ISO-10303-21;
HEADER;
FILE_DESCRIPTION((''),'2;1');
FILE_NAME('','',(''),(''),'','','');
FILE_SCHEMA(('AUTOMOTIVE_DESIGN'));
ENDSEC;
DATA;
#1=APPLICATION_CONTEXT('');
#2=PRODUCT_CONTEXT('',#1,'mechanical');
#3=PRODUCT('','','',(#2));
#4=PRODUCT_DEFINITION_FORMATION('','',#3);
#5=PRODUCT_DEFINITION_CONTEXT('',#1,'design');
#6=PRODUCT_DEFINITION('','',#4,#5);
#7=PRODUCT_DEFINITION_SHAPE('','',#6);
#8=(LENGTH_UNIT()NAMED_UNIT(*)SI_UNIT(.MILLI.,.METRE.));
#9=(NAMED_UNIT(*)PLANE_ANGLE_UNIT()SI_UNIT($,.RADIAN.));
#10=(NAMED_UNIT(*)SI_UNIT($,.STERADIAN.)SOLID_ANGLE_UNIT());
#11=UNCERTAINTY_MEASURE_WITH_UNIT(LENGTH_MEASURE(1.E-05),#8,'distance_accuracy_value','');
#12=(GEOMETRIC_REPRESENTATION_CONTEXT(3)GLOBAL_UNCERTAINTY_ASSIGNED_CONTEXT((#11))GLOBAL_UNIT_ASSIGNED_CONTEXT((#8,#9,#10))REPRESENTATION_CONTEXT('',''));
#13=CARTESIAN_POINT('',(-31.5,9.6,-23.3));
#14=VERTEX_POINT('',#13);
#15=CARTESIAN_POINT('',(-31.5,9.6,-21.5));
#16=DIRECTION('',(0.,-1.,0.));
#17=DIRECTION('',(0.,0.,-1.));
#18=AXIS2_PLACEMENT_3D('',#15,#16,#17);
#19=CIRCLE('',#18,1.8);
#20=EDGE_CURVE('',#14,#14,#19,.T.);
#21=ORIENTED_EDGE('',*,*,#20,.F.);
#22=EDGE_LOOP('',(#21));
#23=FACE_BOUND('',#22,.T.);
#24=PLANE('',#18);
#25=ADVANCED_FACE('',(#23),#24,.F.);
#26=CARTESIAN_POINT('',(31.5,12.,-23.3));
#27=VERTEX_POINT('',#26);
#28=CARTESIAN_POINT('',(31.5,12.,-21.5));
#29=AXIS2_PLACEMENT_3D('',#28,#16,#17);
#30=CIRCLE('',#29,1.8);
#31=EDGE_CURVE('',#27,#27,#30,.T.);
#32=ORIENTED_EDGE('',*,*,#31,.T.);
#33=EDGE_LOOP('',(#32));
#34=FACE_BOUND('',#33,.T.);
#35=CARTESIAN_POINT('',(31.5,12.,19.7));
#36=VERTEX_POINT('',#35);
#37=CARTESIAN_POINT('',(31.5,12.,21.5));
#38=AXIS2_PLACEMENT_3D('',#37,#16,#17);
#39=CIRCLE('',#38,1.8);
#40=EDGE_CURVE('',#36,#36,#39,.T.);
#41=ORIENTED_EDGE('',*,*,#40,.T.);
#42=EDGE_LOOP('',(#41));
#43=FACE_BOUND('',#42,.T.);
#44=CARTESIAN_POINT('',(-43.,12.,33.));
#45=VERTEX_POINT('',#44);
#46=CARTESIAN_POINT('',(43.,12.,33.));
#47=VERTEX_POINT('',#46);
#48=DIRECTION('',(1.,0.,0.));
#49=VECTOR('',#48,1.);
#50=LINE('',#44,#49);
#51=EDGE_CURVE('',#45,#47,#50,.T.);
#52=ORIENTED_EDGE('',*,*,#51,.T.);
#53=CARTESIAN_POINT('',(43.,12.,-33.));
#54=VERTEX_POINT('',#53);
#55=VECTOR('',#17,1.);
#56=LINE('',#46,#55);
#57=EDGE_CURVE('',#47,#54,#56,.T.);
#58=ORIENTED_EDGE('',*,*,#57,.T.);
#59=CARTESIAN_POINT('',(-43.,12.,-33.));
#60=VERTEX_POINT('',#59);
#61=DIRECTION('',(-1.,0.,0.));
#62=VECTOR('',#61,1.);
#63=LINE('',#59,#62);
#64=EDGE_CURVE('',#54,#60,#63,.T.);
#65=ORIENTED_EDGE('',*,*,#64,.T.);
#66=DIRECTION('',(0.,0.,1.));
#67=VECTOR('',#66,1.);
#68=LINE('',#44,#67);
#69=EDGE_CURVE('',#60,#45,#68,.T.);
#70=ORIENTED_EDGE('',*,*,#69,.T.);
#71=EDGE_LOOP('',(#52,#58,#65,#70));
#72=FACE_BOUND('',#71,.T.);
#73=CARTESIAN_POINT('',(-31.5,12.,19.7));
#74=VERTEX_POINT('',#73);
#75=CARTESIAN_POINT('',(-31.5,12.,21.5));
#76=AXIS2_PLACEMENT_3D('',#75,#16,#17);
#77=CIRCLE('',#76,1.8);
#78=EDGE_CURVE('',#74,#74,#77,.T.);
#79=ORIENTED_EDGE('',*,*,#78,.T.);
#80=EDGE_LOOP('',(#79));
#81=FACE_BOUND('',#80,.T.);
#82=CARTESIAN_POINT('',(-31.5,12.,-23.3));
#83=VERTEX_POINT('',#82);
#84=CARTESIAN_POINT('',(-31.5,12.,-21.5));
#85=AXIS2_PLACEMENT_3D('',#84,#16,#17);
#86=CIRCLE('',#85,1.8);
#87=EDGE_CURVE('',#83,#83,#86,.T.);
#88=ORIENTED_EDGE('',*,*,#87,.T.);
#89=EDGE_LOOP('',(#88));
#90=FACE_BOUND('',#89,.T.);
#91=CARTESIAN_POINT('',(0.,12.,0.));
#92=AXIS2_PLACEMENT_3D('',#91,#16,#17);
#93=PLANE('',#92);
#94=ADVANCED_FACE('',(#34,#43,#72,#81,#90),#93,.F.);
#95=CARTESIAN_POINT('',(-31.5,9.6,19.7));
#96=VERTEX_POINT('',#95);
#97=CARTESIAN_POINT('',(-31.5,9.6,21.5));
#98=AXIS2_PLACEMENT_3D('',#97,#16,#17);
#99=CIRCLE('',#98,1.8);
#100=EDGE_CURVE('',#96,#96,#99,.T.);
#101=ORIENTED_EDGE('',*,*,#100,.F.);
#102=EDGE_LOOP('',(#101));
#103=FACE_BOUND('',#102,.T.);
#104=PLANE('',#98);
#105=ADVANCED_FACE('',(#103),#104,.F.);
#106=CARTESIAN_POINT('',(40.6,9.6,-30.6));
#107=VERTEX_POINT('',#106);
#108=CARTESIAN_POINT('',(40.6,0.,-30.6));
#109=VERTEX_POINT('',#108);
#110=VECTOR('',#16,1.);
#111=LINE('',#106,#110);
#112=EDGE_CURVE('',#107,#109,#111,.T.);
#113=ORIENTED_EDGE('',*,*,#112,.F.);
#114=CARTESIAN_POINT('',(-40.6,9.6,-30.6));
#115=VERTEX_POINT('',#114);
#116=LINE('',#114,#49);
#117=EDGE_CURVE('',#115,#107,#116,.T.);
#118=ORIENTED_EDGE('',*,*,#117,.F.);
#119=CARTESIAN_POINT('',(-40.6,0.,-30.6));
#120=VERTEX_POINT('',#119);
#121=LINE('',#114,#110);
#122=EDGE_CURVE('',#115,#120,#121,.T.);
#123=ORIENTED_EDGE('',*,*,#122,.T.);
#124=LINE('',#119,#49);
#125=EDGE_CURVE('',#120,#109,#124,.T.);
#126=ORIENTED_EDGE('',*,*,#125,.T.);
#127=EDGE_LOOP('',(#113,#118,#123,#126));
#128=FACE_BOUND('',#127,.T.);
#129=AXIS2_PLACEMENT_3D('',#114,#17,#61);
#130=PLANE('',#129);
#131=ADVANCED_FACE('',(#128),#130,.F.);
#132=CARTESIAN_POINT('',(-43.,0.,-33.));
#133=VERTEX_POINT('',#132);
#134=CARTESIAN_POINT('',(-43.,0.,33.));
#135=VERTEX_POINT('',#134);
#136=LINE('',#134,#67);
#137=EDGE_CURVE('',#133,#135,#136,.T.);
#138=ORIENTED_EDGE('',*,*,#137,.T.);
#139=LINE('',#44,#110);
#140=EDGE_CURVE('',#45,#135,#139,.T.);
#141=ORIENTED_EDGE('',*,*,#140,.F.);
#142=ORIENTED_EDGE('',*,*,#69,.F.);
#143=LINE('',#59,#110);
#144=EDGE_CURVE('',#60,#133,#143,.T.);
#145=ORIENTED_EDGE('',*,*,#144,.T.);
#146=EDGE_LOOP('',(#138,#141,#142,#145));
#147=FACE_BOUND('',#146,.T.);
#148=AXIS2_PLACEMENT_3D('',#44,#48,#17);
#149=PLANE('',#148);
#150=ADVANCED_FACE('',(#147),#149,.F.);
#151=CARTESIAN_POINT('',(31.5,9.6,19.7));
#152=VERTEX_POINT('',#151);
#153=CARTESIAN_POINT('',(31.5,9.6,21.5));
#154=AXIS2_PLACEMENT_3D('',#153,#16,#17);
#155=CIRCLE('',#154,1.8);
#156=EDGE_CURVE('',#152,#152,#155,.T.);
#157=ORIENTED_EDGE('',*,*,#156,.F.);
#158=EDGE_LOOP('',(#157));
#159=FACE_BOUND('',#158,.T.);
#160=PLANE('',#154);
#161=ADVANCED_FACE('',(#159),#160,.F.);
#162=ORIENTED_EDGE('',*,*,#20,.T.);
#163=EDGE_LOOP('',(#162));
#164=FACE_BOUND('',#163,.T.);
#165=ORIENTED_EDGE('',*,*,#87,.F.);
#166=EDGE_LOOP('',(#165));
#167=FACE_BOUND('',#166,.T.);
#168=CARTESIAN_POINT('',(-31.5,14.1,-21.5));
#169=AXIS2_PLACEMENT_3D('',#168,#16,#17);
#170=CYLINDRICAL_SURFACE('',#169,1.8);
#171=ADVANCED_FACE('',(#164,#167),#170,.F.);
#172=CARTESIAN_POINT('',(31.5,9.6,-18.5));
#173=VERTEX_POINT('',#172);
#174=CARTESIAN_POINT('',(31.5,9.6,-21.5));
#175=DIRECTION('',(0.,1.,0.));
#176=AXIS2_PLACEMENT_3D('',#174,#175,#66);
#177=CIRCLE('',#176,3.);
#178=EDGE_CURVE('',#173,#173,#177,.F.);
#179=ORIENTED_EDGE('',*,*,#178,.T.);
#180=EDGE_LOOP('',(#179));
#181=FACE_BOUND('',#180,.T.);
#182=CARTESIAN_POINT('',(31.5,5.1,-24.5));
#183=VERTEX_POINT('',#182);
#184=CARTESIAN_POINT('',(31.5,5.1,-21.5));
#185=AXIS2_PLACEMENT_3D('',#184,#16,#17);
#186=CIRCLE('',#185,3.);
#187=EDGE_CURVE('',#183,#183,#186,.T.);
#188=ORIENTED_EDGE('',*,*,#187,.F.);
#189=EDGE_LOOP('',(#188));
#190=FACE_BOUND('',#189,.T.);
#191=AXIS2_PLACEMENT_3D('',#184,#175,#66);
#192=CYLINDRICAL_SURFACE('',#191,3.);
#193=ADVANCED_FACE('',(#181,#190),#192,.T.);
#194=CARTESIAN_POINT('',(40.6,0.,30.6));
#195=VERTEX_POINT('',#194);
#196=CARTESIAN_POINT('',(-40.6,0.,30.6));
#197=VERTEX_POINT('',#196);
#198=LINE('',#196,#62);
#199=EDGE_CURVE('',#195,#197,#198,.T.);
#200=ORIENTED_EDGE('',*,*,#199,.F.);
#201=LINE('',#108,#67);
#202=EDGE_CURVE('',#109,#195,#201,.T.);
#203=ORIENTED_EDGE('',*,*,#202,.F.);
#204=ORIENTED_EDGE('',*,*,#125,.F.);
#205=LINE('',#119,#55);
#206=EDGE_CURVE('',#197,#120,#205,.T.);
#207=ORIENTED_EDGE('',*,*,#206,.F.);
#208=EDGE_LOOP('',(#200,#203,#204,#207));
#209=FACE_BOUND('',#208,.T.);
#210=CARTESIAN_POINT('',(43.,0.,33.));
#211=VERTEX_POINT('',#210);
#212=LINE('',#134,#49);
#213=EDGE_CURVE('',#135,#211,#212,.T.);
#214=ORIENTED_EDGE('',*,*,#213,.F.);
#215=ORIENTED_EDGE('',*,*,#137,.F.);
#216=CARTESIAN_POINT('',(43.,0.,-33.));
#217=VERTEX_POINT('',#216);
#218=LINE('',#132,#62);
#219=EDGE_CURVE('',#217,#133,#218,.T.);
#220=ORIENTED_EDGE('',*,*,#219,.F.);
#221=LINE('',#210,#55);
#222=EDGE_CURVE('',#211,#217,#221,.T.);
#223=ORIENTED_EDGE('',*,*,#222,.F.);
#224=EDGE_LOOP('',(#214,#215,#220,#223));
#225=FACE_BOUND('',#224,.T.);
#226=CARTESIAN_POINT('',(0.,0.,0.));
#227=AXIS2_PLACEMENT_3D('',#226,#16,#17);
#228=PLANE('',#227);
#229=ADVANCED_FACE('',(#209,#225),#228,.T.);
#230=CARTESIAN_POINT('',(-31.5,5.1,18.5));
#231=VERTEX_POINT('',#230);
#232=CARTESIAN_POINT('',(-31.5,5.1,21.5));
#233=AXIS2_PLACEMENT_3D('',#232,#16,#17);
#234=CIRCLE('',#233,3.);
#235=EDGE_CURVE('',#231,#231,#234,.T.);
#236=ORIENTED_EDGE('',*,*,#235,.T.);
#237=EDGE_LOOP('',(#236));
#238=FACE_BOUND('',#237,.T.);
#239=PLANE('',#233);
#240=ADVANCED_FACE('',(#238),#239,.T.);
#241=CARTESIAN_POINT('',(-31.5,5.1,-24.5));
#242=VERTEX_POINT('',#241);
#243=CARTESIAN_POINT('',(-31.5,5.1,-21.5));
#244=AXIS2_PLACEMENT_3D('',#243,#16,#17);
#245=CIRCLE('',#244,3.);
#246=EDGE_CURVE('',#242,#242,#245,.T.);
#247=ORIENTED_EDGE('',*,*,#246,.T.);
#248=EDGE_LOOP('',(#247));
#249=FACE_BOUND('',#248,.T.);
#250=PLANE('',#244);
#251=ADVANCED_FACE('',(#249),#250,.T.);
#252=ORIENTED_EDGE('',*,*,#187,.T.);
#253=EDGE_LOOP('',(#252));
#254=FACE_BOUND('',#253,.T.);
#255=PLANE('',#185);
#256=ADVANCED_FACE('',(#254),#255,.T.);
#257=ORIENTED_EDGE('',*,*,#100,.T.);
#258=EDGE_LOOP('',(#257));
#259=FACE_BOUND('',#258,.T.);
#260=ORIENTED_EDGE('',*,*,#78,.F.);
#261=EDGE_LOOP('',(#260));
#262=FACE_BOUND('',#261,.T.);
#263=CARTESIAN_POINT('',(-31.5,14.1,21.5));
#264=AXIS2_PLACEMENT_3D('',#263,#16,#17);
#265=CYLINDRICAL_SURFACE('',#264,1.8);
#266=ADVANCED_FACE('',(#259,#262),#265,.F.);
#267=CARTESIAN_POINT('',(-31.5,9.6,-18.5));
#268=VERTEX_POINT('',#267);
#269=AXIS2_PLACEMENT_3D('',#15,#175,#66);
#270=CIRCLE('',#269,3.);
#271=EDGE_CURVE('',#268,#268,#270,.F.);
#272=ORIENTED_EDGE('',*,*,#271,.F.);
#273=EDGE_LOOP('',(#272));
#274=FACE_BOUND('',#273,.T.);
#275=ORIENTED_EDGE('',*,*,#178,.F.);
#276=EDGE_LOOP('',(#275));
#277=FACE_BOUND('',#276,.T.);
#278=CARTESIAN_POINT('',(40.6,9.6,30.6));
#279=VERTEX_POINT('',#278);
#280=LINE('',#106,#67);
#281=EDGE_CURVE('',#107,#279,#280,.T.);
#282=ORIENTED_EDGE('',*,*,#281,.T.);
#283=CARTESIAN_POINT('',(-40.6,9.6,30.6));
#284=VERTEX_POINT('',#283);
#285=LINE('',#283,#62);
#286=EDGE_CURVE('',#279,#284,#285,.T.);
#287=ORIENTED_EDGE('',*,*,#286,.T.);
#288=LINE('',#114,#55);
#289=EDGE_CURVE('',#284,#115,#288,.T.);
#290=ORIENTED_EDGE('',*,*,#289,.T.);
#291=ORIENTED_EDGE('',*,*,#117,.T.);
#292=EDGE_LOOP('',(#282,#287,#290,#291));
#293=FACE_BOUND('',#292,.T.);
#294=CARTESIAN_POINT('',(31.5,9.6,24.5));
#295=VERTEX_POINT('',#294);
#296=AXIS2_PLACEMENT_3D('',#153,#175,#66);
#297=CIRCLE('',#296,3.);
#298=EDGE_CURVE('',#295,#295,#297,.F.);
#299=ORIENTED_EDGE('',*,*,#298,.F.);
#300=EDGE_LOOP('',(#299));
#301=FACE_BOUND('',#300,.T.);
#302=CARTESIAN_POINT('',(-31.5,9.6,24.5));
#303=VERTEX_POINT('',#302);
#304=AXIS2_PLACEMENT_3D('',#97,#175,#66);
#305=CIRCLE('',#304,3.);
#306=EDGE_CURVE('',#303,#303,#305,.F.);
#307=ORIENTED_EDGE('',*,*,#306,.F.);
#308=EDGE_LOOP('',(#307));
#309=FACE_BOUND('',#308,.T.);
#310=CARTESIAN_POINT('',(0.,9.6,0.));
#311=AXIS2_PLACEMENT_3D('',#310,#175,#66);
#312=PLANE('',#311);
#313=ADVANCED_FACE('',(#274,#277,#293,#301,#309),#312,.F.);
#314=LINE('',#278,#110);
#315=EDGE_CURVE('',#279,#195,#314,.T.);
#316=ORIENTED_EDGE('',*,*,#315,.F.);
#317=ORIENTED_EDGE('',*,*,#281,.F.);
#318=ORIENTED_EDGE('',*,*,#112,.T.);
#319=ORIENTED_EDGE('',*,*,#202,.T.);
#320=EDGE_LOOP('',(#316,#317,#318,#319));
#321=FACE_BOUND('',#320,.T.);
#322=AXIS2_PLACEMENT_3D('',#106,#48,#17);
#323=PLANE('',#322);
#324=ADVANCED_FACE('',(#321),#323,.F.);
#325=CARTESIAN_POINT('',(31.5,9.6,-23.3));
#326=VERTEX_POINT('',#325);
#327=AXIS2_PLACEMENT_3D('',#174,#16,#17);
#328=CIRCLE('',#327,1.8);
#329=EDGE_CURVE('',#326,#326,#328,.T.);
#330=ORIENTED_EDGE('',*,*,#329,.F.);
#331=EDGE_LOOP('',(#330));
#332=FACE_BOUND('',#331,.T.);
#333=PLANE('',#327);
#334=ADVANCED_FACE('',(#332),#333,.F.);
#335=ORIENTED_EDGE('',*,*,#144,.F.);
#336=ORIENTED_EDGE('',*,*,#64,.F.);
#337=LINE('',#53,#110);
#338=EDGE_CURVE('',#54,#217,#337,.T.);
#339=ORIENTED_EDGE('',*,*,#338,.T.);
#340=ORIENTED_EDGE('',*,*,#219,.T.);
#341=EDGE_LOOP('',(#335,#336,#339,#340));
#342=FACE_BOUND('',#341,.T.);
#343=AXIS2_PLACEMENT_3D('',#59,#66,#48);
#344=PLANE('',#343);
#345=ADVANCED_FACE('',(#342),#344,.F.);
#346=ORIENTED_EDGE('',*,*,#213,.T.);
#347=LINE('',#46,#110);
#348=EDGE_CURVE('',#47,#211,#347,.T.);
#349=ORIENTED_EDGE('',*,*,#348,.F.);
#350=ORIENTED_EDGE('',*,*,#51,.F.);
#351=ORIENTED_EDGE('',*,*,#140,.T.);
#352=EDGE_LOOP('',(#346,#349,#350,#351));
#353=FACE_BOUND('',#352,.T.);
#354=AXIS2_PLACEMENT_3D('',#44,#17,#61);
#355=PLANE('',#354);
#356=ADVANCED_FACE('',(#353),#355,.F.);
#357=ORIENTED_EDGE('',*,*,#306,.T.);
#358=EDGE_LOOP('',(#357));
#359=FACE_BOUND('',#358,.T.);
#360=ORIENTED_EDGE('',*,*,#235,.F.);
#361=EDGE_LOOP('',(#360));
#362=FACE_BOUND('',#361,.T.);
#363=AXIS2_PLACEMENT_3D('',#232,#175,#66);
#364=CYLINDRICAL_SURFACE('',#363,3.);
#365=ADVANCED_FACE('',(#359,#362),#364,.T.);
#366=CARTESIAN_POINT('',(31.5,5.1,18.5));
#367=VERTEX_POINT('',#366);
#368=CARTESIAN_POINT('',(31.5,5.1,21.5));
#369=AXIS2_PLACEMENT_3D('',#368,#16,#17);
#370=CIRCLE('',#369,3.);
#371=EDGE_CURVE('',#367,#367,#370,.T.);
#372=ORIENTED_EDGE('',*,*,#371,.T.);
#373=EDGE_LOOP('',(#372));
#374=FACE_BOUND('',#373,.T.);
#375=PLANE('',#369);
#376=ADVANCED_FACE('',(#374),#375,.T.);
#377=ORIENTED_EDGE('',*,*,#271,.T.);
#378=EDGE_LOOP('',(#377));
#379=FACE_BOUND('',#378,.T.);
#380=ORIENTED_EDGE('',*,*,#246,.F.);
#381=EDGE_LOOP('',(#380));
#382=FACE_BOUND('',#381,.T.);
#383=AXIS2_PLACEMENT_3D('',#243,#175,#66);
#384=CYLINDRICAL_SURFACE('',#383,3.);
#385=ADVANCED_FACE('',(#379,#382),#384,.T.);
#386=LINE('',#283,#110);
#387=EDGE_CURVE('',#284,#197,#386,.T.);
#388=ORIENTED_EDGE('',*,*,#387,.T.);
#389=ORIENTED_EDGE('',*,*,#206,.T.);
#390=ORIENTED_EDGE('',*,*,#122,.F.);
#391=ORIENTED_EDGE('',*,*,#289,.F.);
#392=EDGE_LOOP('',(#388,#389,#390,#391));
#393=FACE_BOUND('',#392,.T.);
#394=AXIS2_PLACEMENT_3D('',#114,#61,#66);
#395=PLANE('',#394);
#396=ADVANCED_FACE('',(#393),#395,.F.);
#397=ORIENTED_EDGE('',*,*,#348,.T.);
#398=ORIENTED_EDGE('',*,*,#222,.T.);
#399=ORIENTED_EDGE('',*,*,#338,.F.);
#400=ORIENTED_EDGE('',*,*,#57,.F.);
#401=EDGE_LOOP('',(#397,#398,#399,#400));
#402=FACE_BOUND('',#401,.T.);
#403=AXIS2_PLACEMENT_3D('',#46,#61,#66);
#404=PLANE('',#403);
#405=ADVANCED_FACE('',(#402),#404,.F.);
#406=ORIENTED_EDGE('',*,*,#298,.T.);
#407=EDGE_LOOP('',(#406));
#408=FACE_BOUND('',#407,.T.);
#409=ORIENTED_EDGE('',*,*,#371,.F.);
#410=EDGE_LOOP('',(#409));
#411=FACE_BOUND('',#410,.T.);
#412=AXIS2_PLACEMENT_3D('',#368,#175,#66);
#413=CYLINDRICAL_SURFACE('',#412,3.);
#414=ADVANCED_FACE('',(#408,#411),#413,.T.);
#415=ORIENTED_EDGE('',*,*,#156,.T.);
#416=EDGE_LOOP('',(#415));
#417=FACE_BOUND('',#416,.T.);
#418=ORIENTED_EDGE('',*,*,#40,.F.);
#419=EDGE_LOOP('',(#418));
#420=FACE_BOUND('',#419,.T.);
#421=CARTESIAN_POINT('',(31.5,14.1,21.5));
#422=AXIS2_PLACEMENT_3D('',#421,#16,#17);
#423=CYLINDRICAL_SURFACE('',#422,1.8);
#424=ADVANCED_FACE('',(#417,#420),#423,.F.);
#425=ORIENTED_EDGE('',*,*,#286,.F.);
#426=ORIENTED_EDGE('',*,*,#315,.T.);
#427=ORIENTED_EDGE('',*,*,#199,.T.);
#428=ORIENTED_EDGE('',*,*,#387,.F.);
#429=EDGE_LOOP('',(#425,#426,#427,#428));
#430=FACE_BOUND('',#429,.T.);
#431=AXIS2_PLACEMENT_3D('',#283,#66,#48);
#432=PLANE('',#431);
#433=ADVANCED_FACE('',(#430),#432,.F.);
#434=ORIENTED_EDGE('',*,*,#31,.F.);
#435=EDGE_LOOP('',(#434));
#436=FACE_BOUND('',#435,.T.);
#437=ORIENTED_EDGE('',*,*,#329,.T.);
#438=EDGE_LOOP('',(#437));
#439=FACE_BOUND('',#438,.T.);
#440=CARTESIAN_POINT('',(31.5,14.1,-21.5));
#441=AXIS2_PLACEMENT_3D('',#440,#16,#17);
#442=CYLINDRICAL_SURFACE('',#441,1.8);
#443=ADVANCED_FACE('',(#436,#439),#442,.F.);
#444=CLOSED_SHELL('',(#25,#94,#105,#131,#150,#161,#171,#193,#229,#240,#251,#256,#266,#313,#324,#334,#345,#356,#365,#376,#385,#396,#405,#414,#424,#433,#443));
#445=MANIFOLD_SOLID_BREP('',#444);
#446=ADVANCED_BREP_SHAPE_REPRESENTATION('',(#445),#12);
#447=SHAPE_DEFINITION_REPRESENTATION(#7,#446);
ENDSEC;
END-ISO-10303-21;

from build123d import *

# Parameters (mm, degrees)
SKETCH1_W           = 86
SKETCH1_H           = 66
BOSS_EXTRUDE1_DEPTH = 12
SKETCH2_W           = 81.2
SKETCH2_H           = 61.2
CUT_EXTRUDE1_DEPTH  = 9.6
SKETCH3_R           = 3
BOSS_EXTRUDE2_DEPTH = 4.5
SKETCH4_R           = 1.8
CUT_EXTRUDE2_DEPTH  = 4.5


with BuildPart() as part:
    # Sketch1 → Boss-Extrude1 (new body)
    with BuildSketch(Plane(origin=(0, 0, 0), x_dir=(1, 0, 0), z_dir=(0, 1, 0))):
        Rectangle(SKETCH1_W, SKETCH1_H)
    extrude(amount=BOSS_EXTRUDE1_DEPTH)

    # Sketch2 → Cut-Extrude1 (cut)
    with BuildSketch(Plane.XZ):
        Rectangle(SKETCH2_W, SKETCH2_H)
    extrude(amount=-CUT_EXTRUDE1_DEPTH, mode=Mode.SUBTRACT)

    # Sketch3 → Boss-Extrude2 (add)
    with BuildSketch(Plane.XZ.offset(-9.6)):
        with Locations(Location((-31.5, -21.5, 0), (0, 0, 90))):
            Circle(SKETCH3_R)
        with Locations(Location((31.5, -21.5, 0), (0, 0, 90))):
            Circle(SKETCH3_R)
        with Locations(Location((-31.5, 21.5, 0), (0, 0, 90))):
            Circle(SKETCH3_R)
        with Locations(Location((31.5, 21.5, 0), (0, 0, 90))):
            Circle(SKETCH3_R)
    extrude(amount=BOSS_EXTRUDE2_DEPTH)

    # Sketch4 → Cut-Extrude2 (cut)
    with BuildSketch(Plane.XZ.offset(-9.6)):
        with Locations(Location((-31.5, -21.5, 0), (0, 0, 270))):
            Circle(SKETCH4_R)
        with Locations(Location((31.5, -21.5, 0), (0, 0, 270))):
            Circle(SKETCH4_R)
        with Locations(Location((-31.5, 21.5, 0), (0, 0, 270))):
            Circle(SKETCH4_R)
        with Locations(Location((31.5, 21.5, 0), (0, 0, 270))):
            Circle(SKETCH4_R)
    extrude(amount=-CUT_EXTRUDE2_DEPTH, mode=Mode.SUBTRACT)


solid = part.part
